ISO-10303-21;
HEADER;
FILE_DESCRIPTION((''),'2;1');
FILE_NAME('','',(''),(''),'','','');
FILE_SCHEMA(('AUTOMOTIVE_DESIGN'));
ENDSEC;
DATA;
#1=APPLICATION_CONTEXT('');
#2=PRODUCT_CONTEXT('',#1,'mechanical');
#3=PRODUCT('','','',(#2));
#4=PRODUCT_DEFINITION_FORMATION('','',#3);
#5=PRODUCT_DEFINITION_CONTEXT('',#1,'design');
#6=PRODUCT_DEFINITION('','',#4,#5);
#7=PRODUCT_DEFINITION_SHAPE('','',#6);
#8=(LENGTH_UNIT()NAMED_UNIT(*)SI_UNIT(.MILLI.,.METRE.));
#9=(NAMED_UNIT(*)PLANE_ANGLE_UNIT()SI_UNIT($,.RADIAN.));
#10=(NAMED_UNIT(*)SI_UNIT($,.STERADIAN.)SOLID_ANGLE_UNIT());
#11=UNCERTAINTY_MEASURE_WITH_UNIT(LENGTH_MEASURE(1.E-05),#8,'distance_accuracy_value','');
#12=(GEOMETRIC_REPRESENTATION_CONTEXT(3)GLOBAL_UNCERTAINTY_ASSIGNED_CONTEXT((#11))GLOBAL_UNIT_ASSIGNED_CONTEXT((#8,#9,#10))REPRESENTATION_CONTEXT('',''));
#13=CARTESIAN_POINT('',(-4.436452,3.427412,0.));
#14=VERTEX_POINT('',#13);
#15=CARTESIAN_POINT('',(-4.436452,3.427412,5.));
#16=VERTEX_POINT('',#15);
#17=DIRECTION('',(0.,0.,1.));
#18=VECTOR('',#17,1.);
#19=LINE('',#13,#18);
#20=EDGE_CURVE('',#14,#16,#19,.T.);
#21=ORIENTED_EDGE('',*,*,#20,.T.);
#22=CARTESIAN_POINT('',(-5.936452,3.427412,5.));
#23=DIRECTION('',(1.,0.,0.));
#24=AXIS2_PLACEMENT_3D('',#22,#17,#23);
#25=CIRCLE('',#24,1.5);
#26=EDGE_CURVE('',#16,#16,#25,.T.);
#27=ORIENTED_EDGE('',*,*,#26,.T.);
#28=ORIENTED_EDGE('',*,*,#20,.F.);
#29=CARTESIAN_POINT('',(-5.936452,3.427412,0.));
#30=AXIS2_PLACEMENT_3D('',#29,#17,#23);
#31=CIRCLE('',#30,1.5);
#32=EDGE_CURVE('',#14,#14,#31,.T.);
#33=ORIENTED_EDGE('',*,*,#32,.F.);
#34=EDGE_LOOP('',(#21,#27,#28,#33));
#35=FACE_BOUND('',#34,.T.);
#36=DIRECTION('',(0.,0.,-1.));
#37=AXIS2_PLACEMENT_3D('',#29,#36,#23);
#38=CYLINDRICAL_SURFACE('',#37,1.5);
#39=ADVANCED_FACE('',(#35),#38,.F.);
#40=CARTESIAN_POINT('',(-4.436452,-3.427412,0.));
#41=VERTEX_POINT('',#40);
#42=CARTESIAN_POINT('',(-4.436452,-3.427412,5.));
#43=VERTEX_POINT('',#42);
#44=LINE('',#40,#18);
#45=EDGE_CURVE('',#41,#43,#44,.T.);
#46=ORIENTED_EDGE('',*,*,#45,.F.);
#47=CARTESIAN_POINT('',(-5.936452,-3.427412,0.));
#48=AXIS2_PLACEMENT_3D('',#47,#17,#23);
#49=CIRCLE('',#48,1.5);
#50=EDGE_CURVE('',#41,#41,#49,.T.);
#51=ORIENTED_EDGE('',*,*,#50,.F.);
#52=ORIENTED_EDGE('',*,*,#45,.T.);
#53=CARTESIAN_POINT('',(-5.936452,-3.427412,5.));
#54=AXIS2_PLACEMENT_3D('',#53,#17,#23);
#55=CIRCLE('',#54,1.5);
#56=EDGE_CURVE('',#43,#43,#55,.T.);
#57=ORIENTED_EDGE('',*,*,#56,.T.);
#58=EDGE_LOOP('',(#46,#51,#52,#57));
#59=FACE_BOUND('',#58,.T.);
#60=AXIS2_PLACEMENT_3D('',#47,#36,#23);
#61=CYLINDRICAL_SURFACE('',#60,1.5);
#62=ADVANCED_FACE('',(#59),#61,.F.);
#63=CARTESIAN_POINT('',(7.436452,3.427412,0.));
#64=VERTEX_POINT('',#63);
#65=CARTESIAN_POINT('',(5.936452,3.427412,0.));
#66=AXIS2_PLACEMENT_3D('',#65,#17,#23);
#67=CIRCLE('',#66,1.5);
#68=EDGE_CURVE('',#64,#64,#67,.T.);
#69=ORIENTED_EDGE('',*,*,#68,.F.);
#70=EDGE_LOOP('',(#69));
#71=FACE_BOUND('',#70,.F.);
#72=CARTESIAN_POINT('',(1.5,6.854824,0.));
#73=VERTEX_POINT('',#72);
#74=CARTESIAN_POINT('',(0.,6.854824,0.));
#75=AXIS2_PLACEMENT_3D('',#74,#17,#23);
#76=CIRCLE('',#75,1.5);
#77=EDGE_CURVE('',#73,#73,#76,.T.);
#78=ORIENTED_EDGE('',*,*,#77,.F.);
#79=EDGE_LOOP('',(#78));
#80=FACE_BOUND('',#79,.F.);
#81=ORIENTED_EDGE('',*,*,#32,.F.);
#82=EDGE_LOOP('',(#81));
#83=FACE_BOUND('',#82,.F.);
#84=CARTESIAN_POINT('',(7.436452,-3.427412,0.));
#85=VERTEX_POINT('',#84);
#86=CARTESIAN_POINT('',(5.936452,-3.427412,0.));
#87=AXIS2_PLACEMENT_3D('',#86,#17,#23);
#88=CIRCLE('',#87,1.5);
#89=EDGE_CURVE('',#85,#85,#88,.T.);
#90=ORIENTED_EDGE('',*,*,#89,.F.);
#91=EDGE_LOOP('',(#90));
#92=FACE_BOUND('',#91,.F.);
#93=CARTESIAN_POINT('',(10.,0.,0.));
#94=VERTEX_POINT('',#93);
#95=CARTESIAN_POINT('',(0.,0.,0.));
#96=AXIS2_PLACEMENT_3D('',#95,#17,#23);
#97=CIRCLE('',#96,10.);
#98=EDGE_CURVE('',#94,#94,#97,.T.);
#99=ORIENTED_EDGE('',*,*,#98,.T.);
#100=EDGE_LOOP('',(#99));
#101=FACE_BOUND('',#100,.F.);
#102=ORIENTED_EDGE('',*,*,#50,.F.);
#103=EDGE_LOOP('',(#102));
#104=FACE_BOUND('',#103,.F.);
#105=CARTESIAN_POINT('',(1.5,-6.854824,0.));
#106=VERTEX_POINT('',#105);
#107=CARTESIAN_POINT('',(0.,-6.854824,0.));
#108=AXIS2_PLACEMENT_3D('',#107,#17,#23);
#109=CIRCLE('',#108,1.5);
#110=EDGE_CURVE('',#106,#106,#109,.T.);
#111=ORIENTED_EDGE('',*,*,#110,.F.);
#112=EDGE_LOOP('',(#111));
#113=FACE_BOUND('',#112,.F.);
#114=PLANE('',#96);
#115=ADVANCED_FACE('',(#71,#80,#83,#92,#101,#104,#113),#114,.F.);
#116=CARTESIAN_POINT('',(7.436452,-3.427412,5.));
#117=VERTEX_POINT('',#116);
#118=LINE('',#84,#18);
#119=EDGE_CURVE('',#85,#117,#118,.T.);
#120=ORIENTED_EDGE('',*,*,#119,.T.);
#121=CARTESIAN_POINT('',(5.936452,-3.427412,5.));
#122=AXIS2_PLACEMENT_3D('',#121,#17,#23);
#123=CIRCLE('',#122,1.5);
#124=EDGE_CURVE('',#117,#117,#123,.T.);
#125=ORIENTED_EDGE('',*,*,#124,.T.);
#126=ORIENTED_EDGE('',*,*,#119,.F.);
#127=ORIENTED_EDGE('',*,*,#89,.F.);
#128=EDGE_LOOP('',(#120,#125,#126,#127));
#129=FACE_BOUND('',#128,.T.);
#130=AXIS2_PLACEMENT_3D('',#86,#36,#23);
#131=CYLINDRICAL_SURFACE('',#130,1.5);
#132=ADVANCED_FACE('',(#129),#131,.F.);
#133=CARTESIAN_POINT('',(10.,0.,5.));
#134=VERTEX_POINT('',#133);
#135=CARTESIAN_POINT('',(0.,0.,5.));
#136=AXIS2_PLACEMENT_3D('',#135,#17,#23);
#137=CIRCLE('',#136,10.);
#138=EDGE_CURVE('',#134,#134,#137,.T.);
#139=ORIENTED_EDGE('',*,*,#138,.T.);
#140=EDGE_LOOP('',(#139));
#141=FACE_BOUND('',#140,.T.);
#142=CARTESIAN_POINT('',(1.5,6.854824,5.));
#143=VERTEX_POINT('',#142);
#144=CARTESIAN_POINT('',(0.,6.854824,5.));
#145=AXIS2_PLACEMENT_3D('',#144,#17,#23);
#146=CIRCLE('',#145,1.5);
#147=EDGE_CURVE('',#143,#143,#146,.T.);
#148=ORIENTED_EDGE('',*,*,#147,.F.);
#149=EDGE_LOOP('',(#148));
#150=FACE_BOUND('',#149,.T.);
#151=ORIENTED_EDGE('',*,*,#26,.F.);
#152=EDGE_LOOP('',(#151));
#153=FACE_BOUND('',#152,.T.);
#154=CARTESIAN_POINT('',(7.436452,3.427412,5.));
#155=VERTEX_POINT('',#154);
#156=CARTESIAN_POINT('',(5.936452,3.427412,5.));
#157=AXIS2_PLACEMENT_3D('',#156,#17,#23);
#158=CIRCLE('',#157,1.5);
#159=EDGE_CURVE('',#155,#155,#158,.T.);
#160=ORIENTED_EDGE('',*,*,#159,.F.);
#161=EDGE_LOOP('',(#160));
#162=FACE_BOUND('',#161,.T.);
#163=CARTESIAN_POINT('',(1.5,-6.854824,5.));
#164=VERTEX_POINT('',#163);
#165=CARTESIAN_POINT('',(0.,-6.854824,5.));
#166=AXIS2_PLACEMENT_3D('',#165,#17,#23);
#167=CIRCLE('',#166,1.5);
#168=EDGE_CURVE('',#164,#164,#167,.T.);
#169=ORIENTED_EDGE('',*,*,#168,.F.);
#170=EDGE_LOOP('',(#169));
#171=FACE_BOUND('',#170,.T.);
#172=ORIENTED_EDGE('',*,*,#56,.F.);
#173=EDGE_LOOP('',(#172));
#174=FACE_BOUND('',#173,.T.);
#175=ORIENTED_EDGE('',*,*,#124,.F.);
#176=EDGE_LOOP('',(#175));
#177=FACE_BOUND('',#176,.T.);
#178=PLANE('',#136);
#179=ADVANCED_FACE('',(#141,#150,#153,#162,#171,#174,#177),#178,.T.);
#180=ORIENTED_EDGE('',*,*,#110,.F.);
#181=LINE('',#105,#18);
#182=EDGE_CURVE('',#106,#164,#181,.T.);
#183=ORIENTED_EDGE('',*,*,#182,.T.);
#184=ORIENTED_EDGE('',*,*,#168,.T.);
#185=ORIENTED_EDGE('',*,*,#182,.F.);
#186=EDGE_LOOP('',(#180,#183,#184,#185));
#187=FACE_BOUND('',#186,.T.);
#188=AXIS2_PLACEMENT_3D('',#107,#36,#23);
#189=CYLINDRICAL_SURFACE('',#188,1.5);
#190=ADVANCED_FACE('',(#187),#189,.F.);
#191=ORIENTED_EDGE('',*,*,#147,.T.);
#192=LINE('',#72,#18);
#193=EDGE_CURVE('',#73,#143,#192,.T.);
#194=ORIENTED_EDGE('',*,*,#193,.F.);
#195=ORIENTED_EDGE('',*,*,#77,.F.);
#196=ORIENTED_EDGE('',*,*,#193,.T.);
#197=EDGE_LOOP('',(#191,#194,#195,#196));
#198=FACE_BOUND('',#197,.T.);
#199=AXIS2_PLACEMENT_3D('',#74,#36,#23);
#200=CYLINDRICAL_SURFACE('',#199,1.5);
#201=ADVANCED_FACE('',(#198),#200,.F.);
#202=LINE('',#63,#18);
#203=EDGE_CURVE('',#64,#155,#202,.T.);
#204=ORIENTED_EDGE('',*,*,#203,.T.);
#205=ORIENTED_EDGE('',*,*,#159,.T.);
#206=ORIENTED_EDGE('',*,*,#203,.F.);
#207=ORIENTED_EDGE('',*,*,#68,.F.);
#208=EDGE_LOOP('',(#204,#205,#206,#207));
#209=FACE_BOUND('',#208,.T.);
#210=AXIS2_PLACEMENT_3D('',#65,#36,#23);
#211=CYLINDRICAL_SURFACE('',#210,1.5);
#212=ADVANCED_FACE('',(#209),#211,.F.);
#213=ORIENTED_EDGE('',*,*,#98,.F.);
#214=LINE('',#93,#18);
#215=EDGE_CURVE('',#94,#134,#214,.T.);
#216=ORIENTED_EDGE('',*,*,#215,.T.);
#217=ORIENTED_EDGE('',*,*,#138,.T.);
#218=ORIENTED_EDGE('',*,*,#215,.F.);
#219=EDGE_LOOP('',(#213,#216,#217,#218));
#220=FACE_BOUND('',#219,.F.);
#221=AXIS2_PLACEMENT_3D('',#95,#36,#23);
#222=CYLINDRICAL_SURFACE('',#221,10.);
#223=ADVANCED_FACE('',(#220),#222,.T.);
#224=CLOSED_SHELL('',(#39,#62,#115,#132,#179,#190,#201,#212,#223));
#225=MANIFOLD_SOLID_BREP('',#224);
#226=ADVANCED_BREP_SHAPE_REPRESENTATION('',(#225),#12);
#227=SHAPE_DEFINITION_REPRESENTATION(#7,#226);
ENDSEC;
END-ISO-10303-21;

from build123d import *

# Parameters (mm, degrees)
F0_R     = 10
F0_R_2   = 1.5
F1_DEPTH = 5


with BuildPart() as f1:
    # F0 (on Top) → F1 (new body)
    with BuildSketch(Plane.XY):
        Circle(F0_R)
        with Locations((0, -6.854824)):
            Circle(F0_R_2, mode=Mode.SUBTRACT)
        with Locations((-5.936452, -3.427412)):
            Circle(F0_R_2, mode=Mode.SUBTRACT)
        with Locations((5.936452, -3.427412)):
            Circle(F0_R_2, mode=Mode.SUBTRACT)
        with Locations((-5.936452, 3.427412)):
            Circle(F0_R_2, mode=Mode.SUBTRACT)
        with Locations((5.936452, 3.427412)):
            Circle(F0_R_2, mode=Mode.SUBTRACT)
        with Locations((0, 6.854824)):
            Circle(F0_R_2, mode=Mode.SUBTRACT)
    extrude(amount=F1_DEPTH)


solid = f1.part
